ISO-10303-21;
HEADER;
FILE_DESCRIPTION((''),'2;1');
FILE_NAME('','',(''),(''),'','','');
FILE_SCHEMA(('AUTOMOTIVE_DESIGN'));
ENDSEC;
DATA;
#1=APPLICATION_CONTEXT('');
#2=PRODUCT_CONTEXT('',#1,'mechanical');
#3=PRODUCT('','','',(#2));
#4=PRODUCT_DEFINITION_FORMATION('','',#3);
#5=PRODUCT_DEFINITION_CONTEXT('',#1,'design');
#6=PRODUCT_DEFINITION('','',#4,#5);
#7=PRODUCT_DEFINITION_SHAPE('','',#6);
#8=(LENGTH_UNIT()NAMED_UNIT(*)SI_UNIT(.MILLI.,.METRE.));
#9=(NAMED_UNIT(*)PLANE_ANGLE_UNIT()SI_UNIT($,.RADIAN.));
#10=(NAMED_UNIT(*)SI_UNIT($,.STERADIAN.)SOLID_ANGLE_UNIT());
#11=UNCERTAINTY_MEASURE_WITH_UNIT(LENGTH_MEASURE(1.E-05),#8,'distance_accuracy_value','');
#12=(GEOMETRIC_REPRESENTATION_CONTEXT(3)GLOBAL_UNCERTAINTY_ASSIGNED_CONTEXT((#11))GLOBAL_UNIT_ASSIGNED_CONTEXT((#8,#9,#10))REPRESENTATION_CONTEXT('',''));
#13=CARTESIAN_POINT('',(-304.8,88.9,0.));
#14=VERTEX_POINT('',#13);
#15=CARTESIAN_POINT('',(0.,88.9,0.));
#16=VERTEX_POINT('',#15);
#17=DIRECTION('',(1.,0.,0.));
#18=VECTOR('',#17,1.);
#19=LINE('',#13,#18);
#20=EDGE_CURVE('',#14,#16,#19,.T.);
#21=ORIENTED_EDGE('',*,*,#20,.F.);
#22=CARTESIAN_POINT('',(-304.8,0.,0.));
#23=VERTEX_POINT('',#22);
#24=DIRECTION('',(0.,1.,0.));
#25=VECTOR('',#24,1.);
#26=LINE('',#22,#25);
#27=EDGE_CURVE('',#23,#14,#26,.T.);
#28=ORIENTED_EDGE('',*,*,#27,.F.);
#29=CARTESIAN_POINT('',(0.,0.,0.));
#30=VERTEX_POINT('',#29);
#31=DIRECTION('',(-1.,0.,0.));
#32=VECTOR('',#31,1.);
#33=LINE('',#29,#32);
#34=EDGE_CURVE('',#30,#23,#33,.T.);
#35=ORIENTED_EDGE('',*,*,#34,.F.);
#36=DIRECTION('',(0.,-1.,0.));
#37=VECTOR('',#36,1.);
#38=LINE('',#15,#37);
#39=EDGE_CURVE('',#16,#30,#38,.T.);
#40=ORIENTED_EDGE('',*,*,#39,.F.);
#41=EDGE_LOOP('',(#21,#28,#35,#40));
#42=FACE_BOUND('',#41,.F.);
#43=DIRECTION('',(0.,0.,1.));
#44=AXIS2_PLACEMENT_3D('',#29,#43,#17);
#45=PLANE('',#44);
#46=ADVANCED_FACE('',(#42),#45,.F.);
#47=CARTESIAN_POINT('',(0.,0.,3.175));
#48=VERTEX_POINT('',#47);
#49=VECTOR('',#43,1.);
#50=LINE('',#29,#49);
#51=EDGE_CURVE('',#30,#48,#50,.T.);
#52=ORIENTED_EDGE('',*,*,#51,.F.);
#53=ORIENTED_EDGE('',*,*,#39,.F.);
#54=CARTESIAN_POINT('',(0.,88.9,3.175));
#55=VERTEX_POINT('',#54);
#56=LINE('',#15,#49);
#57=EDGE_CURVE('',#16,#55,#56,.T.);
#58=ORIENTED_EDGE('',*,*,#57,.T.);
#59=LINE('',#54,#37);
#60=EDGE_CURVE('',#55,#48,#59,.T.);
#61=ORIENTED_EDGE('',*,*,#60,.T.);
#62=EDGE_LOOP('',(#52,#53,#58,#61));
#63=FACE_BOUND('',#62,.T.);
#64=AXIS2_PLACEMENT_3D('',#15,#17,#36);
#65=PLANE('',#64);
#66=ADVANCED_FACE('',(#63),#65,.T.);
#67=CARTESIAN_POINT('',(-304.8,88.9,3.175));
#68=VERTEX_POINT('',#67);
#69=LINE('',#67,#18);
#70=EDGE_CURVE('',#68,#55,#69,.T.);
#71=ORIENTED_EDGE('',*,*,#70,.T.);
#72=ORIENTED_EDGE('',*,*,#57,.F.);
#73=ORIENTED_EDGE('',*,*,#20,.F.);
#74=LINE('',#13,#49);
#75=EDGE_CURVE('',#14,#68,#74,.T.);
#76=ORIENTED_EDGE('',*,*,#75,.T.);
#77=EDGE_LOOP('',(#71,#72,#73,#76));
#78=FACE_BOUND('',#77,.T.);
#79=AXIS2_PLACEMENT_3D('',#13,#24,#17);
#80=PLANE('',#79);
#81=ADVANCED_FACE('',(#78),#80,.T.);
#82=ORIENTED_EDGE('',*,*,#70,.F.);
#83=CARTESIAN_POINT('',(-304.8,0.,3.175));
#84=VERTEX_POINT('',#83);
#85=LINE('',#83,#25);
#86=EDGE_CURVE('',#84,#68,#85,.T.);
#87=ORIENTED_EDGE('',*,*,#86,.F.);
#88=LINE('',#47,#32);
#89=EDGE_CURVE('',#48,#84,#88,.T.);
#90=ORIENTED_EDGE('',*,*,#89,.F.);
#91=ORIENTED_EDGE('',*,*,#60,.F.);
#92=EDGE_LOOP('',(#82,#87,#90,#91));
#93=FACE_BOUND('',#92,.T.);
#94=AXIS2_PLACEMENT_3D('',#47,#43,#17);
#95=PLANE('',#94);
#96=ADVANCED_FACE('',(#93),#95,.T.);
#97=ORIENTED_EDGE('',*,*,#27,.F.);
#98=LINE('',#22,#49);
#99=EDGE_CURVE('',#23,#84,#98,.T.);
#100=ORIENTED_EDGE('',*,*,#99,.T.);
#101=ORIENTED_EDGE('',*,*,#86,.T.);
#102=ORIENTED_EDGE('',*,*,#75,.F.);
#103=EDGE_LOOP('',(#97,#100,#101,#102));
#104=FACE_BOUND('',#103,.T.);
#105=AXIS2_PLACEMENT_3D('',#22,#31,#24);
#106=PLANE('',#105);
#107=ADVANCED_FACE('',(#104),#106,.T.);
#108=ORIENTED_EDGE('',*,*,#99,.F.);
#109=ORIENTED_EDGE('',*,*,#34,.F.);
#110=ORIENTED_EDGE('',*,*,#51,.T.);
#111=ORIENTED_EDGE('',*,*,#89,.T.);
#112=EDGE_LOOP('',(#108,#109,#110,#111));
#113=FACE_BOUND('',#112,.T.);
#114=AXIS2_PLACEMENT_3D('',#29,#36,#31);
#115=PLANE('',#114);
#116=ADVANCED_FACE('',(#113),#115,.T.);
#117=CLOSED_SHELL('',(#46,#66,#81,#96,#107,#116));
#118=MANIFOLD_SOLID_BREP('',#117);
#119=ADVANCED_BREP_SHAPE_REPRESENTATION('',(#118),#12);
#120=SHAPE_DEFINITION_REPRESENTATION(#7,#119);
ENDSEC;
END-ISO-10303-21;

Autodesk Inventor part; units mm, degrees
ref_plane "YZ Plane" through (0, 0, 0) normal (1, 0, 0) x (0, 1, 0)
ref_plane "XZ Plane" through (0, 0, 0) normal (0, 1, 0) x (-1, 0, 0)
ref_plane "XY Plane" through (0, 0, 0) normal (0, 0, 1) x (1, 0, 0)
sketch "Sketch1" plane through (0, 0, 0) normal (0, 0, 1) x (1, 0, 0)
  line L0 (0, 0) -> (-304.8, 0)
  line L1 (-304.8, 0) -> (-304.8, 88.9)
  line L2 (-304.8, 88.9) -> (0, 88.9)
  line L3 (0, 88.9) -> (0, 0)
  dimension "d0" = 88.9
  dimension "d1" = 304.8
extrude "Extrusion1" add sketch "Sketch1" along normal blind 3.175
properties part number "ThatPlasticDeflector" material "Polycarbonate, Clear"
